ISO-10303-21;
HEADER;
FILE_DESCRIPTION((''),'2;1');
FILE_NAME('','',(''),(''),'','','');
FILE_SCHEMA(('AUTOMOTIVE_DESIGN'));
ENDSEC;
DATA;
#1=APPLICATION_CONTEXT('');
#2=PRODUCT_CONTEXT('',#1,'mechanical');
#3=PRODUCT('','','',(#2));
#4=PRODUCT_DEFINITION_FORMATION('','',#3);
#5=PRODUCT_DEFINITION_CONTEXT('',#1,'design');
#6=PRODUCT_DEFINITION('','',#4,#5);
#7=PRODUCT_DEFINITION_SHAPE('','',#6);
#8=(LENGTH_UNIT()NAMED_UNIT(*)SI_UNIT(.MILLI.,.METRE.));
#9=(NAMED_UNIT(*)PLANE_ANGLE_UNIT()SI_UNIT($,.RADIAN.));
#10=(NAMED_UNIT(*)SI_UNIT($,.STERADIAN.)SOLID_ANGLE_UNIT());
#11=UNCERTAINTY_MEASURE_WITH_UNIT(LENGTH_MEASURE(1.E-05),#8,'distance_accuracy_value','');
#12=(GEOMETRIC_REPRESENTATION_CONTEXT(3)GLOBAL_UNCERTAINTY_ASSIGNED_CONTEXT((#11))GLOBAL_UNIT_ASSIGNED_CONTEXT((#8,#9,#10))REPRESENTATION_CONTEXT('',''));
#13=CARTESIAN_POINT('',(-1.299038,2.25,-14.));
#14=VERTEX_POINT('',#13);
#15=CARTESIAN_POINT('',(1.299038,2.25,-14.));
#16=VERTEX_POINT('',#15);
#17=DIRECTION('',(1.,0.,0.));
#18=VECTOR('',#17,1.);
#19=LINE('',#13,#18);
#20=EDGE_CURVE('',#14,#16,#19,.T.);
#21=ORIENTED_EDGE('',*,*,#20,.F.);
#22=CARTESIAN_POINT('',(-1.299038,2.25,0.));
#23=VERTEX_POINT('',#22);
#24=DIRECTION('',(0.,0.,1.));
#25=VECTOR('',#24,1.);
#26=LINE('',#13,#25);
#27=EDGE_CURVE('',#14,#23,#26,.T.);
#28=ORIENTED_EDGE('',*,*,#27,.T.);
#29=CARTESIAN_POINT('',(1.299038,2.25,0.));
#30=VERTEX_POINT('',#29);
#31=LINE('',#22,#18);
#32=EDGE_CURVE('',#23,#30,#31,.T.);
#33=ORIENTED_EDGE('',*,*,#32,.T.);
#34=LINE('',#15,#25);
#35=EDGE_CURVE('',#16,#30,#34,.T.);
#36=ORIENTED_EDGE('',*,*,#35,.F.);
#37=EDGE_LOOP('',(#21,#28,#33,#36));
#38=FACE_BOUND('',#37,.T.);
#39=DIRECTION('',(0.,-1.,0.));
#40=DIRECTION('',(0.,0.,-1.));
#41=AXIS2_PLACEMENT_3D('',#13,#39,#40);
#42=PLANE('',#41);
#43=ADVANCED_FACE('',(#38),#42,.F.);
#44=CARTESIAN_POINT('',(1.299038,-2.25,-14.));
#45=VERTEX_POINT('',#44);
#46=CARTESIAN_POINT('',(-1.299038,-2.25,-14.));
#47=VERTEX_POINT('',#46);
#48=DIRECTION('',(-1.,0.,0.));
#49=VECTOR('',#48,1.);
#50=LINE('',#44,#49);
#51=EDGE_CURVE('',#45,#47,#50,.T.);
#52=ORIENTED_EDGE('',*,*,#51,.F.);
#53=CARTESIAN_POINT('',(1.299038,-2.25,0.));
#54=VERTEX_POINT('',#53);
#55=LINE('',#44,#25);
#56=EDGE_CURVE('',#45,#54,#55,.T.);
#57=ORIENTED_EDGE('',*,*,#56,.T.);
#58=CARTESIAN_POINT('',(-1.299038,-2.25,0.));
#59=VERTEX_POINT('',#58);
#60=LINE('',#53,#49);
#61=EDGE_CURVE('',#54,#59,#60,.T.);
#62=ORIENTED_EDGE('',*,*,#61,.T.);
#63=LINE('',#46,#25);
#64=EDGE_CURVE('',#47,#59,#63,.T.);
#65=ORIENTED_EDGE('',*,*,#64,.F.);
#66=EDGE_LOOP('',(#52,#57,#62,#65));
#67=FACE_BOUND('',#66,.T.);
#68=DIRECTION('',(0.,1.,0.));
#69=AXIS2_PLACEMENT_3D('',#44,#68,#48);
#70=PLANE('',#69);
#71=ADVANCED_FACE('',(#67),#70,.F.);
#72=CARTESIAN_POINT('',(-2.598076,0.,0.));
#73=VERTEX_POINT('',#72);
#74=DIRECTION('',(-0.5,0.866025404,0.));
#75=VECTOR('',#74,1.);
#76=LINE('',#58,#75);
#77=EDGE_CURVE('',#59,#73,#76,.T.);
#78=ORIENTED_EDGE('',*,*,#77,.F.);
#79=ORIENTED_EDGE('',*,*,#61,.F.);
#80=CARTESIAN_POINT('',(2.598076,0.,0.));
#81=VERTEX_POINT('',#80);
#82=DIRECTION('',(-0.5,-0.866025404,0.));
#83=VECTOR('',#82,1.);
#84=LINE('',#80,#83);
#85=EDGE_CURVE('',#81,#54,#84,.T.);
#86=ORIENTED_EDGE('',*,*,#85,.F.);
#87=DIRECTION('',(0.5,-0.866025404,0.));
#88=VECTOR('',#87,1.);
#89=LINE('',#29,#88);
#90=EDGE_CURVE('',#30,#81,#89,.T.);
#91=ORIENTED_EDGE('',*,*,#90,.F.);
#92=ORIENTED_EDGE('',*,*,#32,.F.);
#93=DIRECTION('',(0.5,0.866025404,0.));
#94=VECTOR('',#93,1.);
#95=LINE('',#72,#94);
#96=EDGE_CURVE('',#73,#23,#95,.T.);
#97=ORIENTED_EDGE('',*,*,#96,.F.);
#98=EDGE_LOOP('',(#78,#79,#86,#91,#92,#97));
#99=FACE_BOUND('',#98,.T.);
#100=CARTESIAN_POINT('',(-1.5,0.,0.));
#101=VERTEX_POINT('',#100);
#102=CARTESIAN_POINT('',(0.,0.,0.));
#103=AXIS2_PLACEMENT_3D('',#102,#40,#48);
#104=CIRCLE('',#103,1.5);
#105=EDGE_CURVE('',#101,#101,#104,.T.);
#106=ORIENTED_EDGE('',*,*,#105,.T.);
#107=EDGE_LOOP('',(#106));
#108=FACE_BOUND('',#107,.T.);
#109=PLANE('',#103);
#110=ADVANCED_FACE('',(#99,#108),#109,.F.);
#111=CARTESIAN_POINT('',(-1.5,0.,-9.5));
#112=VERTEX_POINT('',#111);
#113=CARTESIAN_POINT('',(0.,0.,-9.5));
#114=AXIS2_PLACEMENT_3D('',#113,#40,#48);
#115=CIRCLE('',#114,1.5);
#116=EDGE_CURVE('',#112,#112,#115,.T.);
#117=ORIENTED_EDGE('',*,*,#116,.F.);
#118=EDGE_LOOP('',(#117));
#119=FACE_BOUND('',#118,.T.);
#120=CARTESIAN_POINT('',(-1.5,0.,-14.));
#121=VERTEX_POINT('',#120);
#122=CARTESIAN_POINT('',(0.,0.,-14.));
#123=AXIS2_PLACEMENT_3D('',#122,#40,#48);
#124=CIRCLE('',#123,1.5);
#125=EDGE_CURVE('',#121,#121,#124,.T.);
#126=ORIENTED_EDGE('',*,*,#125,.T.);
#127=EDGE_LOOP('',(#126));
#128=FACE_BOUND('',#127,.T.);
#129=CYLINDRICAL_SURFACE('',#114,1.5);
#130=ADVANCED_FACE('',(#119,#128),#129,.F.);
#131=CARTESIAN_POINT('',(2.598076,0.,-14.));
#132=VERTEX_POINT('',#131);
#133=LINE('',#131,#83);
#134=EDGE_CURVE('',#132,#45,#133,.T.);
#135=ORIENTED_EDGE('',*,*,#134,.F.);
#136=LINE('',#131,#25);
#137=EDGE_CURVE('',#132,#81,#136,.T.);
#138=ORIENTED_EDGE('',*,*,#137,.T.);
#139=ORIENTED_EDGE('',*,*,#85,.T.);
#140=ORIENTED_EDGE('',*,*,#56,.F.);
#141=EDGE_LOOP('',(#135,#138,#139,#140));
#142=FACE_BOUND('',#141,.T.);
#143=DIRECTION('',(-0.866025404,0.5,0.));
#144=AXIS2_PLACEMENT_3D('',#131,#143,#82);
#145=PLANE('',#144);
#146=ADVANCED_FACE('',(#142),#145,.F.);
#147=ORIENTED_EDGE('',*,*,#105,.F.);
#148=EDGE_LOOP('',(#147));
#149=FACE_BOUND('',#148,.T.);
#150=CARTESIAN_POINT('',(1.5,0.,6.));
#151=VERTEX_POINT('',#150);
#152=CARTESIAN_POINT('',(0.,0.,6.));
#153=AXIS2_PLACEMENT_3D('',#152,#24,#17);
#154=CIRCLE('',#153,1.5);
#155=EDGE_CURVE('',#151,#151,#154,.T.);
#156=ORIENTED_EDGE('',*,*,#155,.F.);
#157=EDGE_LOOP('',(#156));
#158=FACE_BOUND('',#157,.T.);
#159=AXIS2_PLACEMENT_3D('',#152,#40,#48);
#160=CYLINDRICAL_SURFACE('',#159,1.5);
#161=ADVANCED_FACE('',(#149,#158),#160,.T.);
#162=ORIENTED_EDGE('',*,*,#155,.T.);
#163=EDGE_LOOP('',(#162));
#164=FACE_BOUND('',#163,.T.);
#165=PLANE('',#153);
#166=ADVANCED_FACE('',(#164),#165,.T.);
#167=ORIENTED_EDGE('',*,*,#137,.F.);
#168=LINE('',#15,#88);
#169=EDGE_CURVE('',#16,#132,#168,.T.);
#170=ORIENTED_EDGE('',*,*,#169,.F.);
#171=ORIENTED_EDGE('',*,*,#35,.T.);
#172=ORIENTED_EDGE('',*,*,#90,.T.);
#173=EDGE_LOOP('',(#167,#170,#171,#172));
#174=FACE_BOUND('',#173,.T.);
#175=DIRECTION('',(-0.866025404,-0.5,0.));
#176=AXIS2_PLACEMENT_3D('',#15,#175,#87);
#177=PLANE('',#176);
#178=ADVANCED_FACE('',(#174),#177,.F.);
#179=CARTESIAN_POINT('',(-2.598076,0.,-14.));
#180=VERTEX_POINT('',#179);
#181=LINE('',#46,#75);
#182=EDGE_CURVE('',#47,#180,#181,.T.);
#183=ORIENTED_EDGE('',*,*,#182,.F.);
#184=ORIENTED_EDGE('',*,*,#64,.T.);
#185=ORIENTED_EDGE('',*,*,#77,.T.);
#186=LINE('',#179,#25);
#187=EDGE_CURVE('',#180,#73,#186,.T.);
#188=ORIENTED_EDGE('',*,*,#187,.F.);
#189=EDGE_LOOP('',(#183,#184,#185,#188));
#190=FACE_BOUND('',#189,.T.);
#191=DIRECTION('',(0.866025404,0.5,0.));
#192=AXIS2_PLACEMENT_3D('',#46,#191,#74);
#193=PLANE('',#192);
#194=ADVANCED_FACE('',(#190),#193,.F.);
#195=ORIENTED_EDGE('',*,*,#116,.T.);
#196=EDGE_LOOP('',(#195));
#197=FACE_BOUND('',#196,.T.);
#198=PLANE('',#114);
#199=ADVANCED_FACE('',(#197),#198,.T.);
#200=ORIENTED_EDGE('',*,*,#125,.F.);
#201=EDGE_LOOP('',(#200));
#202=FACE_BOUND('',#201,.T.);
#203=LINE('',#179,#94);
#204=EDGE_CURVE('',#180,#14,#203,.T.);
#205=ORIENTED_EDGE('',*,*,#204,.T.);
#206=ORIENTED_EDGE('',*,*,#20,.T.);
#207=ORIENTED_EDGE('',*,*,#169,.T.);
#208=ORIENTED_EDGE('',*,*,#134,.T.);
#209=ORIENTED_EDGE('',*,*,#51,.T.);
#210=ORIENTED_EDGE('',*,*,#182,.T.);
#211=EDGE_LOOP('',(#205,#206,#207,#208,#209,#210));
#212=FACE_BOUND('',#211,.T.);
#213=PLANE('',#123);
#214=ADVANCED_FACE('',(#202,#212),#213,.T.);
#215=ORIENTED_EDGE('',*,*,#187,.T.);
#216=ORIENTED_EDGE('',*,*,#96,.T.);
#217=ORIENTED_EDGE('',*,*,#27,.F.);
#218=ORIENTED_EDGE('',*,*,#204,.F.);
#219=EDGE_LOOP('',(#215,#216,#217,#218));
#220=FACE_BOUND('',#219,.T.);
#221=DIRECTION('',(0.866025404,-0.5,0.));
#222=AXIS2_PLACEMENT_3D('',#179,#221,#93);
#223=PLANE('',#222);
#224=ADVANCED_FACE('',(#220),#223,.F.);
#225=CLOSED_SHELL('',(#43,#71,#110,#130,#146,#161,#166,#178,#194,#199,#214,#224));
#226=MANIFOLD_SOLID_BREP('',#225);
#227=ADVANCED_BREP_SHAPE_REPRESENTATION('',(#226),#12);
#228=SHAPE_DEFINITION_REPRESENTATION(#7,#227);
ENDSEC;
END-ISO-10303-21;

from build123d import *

# Parameters (mm, degrees)
SKETCH1_R           = 1.5
BOSS_EXTRUDE1_DEPTH = 6
BOSS_EXTRUDE2_DEPTH = 14
SKETCH3_R           = 1.5
CUT_EXTRUDE1_DEPTH  = 4.5


with BuildPart() as part:
    # Sketch1 → Boss-Extrude1 (new body)
    with BuildSketch(Plane.XY):
        Circle(SKETCH1_R)
    extrude(amount=BOSS_EXTRUDE1_DEPTH)

    # Sketch2 → Boss-Extrude2 (add)
    with BuildSketch(Plane(origin=(0, 0, 0), x_dir=(-1, 0, 0), z_dir=(0, 0, -1))):
        Polygon((1.299038106, 2.25), (-1.299038106, 2.25), (-2.598076211, 0), (-1.299038106, -2.25), (1.299038106, -2.25), (2.598076211, 0), align=None)
    extrude(amount=BOSS_EXTRUDE2_DEPTH)

    # Sketch3 → Cut-Extrude1 (cut)
    with BuildSketch(Plane(origin=(0, 0, -14), x_dir=(-1, 0, 0), z_dir=(0, 0, -1))):
        Circle(SKETCH3_R)
    extrude(amount=-CUT_EXTRUDE1_DEPTH, mode=Mode.SUBTRACT)


solid = part.part
